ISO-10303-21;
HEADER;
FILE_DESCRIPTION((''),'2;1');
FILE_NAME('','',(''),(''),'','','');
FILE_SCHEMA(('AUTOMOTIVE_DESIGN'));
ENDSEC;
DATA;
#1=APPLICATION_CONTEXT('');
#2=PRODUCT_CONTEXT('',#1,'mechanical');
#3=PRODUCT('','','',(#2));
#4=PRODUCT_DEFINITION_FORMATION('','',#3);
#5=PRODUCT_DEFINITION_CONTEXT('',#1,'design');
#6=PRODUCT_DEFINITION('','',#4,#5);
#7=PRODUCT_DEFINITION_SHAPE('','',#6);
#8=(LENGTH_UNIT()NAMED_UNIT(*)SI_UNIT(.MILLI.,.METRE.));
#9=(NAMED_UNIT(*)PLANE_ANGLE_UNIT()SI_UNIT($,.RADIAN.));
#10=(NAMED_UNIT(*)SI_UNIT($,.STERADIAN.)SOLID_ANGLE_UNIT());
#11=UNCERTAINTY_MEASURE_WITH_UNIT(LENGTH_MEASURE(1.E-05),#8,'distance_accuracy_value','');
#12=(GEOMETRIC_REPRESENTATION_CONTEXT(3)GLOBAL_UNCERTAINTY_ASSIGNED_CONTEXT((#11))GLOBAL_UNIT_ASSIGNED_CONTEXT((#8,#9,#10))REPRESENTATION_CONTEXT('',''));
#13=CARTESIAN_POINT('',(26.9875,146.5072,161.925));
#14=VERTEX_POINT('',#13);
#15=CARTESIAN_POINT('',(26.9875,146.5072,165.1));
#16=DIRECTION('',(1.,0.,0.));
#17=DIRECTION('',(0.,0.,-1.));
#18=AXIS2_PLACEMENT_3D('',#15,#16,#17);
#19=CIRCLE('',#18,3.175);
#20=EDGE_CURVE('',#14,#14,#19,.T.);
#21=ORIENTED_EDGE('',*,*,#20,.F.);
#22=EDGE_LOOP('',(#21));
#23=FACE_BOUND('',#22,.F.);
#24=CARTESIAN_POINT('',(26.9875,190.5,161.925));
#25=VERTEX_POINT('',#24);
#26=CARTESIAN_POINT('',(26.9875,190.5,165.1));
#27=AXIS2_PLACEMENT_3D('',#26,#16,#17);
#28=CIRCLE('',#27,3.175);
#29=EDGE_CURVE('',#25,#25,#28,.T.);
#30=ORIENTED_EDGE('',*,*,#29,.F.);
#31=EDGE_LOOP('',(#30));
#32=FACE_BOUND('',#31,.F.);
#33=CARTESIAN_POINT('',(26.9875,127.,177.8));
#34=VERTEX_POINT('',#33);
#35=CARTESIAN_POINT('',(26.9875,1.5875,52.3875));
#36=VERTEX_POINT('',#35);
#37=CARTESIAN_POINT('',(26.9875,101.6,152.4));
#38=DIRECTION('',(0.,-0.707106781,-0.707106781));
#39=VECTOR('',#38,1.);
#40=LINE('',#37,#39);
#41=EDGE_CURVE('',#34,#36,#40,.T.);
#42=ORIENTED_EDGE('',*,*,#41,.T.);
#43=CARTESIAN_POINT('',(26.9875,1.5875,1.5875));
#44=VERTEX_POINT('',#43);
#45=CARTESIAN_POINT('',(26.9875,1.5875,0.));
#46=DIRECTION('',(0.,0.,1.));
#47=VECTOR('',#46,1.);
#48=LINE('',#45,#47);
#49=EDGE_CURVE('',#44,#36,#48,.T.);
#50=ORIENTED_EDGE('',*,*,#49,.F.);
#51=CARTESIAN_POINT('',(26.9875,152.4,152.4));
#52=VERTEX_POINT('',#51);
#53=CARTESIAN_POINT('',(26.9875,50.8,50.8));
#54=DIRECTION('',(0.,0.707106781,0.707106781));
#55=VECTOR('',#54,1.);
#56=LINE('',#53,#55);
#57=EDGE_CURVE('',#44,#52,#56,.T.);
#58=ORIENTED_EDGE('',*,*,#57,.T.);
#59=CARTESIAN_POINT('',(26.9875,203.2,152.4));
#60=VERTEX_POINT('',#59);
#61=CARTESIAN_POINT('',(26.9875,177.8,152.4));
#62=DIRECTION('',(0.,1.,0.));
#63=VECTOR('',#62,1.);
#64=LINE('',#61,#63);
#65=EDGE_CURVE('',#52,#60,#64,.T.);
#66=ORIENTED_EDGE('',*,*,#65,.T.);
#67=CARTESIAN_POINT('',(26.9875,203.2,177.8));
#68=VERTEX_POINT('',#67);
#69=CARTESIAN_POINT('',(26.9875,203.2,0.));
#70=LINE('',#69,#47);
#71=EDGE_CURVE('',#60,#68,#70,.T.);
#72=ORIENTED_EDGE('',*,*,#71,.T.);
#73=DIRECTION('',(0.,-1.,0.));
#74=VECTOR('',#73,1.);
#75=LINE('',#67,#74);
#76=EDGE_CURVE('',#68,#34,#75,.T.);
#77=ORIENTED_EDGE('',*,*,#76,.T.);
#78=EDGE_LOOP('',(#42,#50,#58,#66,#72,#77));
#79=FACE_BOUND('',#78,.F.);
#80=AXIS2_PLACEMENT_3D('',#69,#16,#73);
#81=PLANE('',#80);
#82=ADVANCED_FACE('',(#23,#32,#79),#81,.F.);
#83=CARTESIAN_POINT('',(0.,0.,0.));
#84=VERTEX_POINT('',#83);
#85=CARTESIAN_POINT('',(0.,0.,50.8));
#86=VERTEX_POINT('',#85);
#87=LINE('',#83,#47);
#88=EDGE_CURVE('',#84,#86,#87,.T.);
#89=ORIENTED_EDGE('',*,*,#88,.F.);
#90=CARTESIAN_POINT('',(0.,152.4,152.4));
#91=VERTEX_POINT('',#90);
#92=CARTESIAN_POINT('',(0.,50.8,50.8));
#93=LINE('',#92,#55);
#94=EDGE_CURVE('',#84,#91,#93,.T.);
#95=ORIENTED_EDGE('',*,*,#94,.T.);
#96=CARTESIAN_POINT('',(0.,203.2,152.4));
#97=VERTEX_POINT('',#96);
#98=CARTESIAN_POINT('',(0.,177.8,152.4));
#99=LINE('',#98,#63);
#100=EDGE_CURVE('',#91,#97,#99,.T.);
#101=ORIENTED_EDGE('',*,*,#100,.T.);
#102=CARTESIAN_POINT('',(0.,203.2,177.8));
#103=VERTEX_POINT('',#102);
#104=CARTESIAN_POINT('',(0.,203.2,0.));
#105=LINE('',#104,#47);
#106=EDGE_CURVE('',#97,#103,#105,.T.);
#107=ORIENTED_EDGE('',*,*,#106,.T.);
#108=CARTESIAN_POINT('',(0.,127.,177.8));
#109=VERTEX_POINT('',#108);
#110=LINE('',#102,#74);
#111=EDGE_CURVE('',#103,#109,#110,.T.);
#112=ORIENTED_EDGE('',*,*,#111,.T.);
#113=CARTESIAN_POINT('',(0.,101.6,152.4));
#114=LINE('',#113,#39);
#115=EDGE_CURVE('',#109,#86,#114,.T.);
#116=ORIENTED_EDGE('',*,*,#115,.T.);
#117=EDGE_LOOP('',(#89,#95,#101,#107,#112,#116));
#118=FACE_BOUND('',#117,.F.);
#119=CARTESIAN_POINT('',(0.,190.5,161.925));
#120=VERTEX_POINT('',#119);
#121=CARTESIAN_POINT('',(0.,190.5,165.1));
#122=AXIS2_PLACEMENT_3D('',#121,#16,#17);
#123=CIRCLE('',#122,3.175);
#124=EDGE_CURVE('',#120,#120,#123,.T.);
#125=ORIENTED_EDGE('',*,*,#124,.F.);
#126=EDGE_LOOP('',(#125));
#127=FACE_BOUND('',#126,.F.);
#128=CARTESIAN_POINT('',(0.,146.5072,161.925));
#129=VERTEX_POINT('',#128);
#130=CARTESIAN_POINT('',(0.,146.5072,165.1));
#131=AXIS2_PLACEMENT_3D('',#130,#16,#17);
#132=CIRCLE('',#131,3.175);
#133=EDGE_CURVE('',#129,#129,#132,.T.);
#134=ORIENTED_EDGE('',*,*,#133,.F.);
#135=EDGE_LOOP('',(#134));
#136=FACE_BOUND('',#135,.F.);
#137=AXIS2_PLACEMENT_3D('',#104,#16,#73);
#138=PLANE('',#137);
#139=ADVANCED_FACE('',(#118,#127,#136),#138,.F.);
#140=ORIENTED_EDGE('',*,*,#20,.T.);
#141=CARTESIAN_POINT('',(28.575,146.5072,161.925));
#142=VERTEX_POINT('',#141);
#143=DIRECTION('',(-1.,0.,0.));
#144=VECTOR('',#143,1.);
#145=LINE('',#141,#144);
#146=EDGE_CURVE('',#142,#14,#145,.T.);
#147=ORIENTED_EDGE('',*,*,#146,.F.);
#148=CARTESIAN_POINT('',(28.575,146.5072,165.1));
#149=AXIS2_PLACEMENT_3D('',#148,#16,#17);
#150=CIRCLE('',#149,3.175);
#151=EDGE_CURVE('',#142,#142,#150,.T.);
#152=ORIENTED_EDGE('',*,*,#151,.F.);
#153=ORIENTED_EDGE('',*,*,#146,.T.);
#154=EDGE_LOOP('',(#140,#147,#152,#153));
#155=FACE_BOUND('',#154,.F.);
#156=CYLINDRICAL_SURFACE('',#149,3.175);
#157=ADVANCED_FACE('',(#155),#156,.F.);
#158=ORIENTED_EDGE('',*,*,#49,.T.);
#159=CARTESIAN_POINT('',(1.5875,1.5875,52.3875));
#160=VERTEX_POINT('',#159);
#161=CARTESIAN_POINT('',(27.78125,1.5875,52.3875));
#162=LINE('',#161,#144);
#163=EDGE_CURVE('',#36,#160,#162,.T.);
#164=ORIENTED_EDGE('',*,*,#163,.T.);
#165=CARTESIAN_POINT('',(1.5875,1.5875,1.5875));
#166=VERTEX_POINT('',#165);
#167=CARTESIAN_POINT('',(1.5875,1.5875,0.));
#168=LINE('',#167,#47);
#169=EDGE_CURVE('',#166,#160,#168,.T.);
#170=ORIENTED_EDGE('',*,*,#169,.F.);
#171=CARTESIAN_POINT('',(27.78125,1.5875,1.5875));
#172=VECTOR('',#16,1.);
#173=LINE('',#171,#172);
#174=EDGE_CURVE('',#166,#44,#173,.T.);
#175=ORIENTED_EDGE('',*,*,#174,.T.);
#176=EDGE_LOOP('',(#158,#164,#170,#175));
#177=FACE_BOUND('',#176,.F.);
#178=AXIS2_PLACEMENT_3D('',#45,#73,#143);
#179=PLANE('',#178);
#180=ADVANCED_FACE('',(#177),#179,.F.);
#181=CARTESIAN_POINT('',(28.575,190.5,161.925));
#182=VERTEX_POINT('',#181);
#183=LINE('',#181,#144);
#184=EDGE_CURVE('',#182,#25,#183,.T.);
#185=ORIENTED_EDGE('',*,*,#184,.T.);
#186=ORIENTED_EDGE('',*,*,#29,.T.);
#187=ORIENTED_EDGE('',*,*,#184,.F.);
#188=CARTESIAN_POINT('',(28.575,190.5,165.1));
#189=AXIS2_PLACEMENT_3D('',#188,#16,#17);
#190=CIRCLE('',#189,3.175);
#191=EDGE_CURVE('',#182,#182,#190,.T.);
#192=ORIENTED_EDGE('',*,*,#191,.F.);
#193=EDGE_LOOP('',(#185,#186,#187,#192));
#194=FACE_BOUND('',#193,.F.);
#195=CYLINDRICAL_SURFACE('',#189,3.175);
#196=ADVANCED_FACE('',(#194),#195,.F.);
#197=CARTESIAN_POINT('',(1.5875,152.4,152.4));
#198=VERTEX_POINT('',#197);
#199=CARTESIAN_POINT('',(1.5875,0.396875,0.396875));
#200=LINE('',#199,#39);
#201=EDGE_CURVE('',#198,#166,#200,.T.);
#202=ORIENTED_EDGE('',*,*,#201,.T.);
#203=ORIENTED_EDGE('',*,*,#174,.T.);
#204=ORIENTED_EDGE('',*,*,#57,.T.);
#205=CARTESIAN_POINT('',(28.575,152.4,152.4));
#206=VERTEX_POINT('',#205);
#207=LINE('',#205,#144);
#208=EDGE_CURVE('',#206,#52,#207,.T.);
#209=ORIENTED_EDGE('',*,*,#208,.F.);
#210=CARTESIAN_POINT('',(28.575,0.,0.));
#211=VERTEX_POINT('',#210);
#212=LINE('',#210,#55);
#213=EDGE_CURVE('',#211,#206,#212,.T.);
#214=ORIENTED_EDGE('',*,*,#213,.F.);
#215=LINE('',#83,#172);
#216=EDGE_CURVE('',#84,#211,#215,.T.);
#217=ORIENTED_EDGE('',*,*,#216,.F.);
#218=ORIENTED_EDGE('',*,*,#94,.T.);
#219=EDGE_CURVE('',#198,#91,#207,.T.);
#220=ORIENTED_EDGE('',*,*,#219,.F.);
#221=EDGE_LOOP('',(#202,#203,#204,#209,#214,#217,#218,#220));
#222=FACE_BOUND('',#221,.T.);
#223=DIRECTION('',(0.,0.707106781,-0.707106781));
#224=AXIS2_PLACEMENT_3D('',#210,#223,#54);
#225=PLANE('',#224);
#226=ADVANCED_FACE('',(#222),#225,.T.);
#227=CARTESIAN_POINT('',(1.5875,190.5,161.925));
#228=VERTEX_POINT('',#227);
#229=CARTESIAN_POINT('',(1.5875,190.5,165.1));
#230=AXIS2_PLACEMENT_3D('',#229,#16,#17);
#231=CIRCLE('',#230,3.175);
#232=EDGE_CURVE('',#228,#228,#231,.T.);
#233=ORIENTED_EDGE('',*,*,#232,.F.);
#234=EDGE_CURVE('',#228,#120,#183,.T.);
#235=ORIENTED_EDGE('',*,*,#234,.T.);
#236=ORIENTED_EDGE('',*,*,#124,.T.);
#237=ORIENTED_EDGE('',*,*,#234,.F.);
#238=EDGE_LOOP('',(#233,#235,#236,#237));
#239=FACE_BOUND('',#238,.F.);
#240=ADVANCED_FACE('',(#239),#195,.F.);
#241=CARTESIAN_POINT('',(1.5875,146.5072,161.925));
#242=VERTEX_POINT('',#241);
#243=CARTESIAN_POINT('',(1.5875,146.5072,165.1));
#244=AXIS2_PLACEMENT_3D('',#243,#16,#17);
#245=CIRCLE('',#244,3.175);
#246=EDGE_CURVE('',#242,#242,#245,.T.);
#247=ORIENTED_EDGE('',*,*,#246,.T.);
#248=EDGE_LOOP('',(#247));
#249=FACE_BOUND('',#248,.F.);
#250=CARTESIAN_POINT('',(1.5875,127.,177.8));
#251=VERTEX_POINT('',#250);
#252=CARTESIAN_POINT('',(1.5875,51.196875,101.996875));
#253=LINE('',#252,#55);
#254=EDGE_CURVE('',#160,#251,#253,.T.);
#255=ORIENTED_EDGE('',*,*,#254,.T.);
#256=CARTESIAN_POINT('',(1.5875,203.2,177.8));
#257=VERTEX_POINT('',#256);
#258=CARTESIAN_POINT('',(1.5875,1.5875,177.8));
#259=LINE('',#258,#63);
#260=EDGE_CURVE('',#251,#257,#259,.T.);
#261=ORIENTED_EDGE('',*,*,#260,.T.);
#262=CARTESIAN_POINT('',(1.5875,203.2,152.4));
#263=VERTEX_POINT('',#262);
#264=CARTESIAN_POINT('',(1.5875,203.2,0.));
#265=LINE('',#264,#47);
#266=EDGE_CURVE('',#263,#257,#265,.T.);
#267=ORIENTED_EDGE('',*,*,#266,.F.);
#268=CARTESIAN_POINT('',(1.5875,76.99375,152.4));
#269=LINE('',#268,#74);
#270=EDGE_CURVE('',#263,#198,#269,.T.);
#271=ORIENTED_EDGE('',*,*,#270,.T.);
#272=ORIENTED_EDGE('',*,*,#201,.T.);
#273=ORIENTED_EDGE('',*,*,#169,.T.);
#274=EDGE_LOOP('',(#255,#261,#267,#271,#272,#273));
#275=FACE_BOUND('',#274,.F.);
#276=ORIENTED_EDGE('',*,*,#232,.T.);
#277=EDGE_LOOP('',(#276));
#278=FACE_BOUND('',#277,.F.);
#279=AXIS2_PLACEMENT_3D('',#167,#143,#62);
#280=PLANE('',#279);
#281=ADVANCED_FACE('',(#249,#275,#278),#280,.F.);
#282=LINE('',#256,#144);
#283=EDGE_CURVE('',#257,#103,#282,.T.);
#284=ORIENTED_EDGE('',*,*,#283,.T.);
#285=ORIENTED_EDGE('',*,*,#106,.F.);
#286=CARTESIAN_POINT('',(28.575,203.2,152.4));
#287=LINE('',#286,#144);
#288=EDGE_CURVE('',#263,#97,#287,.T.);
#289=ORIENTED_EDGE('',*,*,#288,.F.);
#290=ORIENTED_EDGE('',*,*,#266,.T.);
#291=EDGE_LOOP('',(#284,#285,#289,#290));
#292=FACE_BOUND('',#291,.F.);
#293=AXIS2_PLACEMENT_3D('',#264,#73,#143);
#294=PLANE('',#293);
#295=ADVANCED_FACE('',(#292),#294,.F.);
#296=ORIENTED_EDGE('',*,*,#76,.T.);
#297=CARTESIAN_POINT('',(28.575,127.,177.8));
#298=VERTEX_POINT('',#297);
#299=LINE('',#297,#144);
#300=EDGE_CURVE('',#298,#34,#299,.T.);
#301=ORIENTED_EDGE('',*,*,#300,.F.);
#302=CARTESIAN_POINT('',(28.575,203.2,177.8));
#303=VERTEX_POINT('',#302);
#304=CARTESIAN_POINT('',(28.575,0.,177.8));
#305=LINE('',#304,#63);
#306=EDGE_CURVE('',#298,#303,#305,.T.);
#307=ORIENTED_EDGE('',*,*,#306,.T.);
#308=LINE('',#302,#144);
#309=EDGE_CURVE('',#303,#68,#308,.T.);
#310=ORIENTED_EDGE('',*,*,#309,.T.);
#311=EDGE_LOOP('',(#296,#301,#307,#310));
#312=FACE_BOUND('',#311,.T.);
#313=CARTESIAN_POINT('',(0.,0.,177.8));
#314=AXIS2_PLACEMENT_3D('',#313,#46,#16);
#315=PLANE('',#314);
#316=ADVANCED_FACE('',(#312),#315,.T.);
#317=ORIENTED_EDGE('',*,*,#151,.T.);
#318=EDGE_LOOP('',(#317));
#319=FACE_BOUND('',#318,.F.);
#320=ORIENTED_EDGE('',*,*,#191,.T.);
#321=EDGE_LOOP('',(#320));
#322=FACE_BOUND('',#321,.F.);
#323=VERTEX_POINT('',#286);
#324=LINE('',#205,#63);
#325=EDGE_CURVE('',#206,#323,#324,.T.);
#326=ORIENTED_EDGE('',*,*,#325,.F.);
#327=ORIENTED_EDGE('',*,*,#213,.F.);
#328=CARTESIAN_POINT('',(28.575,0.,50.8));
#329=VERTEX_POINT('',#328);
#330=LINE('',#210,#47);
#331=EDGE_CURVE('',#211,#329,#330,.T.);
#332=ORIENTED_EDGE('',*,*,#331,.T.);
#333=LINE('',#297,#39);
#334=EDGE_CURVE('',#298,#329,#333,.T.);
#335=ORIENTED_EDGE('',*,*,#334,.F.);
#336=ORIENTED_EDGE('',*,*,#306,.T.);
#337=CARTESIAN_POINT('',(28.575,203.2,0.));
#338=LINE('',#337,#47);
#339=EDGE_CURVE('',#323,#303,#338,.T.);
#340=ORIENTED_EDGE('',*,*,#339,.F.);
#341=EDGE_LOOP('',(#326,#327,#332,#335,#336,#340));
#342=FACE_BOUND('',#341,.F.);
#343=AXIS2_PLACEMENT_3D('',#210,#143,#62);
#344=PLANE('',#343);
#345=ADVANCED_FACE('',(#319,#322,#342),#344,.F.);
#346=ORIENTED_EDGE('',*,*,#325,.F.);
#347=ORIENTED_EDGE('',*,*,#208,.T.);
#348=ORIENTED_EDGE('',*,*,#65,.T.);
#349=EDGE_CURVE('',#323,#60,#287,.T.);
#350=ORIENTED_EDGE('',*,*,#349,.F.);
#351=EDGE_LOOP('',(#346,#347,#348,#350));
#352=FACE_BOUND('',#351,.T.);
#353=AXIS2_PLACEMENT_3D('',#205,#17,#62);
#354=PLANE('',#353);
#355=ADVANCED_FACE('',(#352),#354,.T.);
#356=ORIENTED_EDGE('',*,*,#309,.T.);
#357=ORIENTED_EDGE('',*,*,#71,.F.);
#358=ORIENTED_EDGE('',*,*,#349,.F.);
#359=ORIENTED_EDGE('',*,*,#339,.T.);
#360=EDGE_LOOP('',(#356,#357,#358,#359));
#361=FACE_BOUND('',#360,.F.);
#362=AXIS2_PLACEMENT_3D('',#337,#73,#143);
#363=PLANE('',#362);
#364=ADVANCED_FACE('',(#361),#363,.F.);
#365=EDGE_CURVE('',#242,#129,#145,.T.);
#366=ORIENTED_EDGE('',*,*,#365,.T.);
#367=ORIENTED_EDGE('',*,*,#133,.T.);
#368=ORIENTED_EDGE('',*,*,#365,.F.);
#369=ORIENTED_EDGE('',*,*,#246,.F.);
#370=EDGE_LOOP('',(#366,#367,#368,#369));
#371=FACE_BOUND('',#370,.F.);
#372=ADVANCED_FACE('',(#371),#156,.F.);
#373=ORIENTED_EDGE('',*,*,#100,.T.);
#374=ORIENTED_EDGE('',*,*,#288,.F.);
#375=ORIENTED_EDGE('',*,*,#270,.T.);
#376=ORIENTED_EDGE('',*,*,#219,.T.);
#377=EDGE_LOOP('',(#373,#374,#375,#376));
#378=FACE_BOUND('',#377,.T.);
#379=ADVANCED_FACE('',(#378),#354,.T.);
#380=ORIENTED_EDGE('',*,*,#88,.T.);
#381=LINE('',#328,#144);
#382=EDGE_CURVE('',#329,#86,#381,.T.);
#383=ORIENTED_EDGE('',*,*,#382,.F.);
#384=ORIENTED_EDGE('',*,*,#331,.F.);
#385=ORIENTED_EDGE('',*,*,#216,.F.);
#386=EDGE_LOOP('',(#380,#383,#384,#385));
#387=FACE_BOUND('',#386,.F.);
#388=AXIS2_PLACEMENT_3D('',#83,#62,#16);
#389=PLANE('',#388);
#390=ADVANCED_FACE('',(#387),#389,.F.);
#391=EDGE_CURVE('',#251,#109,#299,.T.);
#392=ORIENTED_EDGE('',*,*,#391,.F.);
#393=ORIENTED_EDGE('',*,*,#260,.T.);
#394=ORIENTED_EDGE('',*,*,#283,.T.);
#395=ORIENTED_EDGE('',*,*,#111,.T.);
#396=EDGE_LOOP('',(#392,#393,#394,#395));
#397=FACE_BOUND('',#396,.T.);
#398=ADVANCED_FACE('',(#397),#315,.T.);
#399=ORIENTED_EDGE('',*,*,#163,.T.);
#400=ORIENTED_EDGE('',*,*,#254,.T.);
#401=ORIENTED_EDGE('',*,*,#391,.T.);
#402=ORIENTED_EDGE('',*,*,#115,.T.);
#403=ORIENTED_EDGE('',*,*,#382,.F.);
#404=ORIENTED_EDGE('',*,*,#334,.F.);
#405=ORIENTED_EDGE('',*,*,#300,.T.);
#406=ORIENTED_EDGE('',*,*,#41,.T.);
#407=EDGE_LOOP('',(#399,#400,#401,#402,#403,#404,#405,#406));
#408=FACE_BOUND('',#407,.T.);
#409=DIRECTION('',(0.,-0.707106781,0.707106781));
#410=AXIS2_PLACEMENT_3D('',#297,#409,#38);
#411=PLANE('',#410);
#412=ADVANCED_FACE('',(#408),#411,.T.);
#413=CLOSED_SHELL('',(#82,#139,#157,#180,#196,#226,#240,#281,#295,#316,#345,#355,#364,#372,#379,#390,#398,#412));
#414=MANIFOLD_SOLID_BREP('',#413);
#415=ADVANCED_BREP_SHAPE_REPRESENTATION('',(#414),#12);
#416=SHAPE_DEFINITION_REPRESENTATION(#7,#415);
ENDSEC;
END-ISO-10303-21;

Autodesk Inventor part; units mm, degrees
ref_plane "YZ Plane" through (0, 0, 0) normal (1, 0, 0) x (0, 1, 0)
ref_plane "XZ Plane" through (0, 0, 0) normal (0, 1, 0) x (-1, 0, 0)
ref_plane "XY Plane" through (0, 0, 0) normal (0, 0, 1) x (1, 0, 0)
sketch "Sketch1" plane through (0, 0, 0) normal (0, 0, 1) x (1, 0, 0)
  line L0 (0, 0) -> (28.575, 0)
  line L1 (28.575, 0) -> (28.575, 203.2)
  line L2 (0, 203.2) -> (0, 0)
  line L3 (26.9875, 203.2) -> (26.9875, 1.5875)
  line L4 (26.9875, 1.5875) -> (1.5875, 1.5875)
  line L5 (1.5875, 1.5875) -> (1.5875, 203.2)
  line L6 (28.575, 203.2) -> (26.9875, 203.2)
  line L7 (1.5875, 203.2) -> (0, 203.2)
  dimension "d0" = 28.575
  dimension "d1" = 203.2
  dimension "d2" = 1.5875
  dimension "d3" = 1.5875
  dimension "d4" = 1.5875
extrude "Extrusion1" add sketch "Sketch1" along normal blind 177.8
sketch "Sketch2" plane through (28.575, 0, 0) normal (1, 0, 0) x (0, 0, -1)
  line L0 (-177.8, 203.2) -> (-177.8, 0) projected
  line L1 (0, 0) -> (-177.8, 0) projected
  line L2 (0, 0) -> (0, 203.2) projected
  line L3 (0, 203.2) -> (-177.8, 203.2) projected
  line L4 (-177.8, 127) -> (-50.8, 0)
  line L5 (0, 0) -> (-152.4, 152.4)
  line L6 (-152.4, 152.4) -> (-152.4, 203.2)
  circle A0 centre (-165.1, 146.5072) radius 3.175
  circle A1 centre (-165.1, 190.5) radius 3.175
  dimension "d7" = 50.8
  dimension "d8" = 45
  dimension "d9" = 25.4
  dimension "d10" = 6.35
  dimension "d11" = 12.7
  dimension "d12" = 12.7
  dimension "d13" = 43.9928
extrude "Extrusion2" cut sketch "Sketch2" against normal blind 203.2 contours L4 L1 L0 | L3 L2 L5 L6 | A0 | A1
equation "\"d3\" = d2"
equation "\"d4\" = d3"
equation "\"d11\" = 0.5 * d9"
equation "\"d12\" = d11"
properties part number "electronics board support"
